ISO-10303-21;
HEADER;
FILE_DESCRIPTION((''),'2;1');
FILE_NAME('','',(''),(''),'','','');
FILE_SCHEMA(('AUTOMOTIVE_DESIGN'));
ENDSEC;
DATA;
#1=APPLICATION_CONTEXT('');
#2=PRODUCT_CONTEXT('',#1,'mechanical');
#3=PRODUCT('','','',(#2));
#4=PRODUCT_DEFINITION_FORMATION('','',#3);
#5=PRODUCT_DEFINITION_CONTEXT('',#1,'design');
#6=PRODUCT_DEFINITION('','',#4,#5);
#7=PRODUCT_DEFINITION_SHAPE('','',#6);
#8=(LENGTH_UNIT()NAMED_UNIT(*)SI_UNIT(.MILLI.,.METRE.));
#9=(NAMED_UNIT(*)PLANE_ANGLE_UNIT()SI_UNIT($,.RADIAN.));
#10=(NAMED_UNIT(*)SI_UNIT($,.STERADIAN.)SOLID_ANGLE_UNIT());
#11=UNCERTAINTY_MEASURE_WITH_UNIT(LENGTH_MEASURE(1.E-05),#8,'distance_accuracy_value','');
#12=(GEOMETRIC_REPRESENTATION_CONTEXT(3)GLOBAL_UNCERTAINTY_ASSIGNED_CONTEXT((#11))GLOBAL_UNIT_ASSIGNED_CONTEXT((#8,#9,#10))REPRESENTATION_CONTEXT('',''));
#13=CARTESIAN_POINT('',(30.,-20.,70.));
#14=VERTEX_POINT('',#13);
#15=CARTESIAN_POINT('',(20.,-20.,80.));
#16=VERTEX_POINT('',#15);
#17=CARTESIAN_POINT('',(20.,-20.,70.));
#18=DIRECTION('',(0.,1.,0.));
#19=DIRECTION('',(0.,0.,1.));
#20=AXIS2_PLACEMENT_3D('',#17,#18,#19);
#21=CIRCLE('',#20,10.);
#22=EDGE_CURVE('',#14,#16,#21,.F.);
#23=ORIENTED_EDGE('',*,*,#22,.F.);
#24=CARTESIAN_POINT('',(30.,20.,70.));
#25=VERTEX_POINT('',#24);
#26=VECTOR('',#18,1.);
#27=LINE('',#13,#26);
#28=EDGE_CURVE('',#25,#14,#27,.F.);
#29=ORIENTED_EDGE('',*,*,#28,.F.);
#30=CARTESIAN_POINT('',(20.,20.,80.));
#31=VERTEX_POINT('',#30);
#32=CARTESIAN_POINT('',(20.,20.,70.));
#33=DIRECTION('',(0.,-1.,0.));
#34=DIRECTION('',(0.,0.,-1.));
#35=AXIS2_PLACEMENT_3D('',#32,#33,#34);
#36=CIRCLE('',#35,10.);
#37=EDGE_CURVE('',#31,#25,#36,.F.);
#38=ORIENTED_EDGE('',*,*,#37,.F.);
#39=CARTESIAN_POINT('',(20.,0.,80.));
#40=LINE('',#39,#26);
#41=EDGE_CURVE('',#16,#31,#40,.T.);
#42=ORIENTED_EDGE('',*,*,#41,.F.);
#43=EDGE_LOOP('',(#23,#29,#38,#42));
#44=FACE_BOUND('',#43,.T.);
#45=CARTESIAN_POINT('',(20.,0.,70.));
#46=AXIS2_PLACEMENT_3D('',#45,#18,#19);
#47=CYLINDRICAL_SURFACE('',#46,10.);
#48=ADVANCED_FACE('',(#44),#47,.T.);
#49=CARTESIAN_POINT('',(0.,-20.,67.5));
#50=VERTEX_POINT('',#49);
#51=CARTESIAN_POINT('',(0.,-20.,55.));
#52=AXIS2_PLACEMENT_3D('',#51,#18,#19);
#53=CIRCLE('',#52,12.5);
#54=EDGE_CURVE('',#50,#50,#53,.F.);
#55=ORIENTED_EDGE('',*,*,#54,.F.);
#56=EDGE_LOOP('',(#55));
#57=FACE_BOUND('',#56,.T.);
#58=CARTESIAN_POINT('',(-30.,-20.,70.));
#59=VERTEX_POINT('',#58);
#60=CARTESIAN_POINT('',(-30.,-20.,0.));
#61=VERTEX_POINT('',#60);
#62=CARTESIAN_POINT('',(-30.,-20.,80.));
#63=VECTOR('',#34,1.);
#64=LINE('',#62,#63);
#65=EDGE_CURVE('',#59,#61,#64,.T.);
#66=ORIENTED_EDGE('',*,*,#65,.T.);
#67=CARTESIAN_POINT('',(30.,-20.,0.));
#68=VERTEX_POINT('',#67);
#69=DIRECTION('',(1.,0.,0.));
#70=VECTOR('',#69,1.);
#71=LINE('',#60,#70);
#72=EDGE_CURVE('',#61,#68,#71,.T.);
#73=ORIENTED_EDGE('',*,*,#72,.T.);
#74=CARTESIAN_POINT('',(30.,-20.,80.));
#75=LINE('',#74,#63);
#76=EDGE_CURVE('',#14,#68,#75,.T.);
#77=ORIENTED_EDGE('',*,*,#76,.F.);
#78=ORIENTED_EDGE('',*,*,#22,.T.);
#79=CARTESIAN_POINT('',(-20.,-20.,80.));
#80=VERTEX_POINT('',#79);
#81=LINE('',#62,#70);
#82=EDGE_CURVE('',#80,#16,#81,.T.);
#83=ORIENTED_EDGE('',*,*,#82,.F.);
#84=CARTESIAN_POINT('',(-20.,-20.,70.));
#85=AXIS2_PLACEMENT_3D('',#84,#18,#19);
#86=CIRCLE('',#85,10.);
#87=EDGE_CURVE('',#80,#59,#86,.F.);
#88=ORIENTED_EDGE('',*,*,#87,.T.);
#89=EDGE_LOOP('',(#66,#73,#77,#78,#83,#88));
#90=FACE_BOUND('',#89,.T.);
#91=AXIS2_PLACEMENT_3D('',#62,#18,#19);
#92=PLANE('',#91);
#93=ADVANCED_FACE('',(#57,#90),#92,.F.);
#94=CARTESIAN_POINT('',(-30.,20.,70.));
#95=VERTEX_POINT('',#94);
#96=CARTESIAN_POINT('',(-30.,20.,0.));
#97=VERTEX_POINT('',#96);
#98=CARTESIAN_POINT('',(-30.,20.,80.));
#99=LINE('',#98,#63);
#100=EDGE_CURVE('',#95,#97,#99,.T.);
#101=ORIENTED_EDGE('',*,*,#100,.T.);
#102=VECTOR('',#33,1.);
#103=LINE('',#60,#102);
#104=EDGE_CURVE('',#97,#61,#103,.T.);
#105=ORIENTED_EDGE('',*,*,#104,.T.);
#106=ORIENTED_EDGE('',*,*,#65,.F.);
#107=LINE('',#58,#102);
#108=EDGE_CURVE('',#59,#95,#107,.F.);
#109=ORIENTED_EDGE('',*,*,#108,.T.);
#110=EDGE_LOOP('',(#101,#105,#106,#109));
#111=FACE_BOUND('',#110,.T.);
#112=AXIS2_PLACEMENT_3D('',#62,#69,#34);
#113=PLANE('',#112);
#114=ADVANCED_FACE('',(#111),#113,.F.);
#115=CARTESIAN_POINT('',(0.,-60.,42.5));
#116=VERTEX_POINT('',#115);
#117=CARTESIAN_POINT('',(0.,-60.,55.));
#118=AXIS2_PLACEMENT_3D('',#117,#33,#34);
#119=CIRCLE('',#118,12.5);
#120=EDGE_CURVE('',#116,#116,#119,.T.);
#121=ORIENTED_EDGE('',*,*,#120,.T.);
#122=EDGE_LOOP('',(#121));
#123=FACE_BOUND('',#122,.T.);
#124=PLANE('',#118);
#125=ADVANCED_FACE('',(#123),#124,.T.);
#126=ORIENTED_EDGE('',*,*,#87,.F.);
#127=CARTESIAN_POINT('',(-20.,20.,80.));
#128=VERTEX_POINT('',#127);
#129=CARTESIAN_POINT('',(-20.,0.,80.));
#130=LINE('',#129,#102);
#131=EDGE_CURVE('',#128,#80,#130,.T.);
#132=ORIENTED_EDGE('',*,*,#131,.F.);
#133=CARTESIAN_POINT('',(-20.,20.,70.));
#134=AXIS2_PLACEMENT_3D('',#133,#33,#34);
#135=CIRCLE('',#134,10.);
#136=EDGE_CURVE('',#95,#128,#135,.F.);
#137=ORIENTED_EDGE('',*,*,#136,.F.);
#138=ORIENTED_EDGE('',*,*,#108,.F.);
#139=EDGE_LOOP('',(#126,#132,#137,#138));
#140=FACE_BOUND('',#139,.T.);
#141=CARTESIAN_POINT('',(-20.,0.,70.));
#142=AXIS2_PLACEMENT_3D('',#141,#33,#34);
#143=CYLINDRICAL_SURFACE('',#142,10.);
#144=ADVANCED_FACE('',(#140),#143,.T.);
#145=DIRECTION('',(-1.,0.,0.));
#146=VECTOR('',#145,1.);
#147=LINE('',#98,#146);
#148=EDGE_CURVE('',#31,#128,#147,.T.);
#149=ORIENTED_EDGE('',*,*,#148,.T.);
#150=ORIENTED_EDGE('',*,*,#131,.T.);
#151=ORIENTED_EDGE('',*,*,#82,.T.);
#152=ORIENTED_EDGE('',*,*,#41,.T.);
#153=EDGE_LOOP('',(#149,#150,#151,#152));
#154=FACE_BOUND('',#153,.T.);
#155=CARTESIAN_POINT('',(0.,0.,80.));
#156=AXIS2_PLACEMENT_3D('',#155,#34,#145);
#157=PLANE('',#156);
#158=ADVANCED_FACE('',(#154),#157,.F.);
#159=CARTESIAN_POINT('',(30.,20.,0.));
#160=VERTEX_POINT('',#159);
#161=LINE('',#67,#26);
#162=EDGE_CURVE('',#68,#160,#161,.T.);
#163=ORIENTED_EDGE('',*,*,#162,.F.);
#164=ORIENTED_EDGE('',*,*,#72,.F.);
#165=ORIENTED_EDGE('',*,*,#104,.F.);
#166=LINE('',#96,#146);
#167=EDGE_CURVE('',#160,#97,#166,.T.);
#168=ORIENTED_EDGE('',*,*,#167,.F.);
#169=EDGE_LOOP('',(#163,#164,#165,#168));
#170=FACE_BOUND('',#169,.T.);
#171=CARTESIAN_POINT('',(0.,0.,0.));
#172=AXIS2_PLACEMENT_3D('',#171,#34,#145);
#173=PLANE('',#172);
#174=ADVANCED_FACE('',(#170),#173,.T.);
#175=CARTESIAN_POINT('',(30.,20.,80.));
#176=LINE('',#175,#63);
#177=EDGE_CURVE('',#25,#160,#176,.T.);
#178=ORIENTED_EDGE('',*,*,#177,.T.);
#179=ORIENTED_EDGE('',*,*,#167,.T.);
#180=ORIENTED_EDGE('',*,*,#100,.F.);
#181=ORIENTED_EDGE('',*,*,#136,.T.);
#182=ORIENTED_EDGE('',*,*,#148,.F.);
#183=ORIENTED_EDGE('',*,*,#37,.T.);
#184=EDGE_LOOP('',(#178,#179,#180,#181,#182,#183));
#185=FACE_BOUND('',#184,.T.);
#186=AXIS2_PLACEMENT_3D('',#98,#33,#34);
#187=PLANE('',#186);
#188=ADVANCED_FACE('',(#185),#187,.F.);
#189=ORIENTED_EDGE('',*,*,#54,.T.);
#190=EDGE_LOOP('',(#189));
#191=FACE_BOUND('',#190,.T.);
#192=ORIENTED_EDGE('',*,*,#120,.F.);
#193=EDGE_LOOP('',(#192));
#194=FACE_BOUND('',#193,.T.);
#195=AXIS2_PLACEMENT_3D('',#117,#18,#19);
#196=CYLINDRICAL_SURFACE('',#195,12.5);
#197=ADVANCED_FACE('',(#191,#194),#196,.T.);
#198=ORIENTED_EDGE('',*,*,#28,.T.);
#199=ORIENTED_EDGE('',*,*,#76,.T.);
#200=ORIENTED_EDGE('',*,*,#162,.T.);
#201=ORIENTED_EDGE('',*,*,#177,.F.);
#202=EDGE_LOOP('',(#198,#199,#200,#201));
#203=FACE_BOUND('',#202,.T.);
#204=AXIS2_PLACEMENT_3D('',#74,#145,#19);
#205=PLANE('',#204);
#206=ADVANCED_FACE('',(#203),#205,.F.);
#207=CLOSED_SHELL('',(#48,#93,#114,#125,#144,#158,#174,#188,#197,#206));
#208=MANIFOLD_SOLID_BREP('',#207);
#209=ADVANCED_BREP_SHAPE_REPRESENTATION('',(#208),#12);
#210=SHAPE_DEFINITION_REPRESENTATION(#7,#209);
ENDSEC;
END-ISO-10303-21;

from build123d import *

# Parameters (mm, degrees)
CROQUIS1_W              = 60
CROQUIS1_H              = 40
SALIENTE_EXTRUIR1_DEPTH = 80
REDONDEO1_R             = 10
CROQUIS2_R              = 12.5
SALIENTE_EXTRUIR2_DEPTH = 40


with BuildPart() as part:
    # Croquis1 → Saliente-Extruir1 (new body)
    with BuildSketch(Plane.XY):
        Rectangle(CROQUIS1_W, CROQUIS1_H)
    extrude(amount=SALIENTE_EXTRUIR1_DEPTH)

    # Redondeo1
    redondeo1_edges = [part.edges().sort_by_distance(p)[0] for p in [
        (-30, 0, 80),
        (30, 0, 80),
    ]]
    fillet(redondeo1_edges, radius=REDONDEO1_R)

    # Croquis2 → Saliente-Extruir2 (add)
    with BuildSketch(Plane.XZ.offset(20)):
        with Locations(Location((0, 55, 0), (0, 0, 90))):
            Circle(CROQUIS2_R)
    extrude(amount=SALIENTE_EXTRUIR2_DEPTH)


solid = part.part
